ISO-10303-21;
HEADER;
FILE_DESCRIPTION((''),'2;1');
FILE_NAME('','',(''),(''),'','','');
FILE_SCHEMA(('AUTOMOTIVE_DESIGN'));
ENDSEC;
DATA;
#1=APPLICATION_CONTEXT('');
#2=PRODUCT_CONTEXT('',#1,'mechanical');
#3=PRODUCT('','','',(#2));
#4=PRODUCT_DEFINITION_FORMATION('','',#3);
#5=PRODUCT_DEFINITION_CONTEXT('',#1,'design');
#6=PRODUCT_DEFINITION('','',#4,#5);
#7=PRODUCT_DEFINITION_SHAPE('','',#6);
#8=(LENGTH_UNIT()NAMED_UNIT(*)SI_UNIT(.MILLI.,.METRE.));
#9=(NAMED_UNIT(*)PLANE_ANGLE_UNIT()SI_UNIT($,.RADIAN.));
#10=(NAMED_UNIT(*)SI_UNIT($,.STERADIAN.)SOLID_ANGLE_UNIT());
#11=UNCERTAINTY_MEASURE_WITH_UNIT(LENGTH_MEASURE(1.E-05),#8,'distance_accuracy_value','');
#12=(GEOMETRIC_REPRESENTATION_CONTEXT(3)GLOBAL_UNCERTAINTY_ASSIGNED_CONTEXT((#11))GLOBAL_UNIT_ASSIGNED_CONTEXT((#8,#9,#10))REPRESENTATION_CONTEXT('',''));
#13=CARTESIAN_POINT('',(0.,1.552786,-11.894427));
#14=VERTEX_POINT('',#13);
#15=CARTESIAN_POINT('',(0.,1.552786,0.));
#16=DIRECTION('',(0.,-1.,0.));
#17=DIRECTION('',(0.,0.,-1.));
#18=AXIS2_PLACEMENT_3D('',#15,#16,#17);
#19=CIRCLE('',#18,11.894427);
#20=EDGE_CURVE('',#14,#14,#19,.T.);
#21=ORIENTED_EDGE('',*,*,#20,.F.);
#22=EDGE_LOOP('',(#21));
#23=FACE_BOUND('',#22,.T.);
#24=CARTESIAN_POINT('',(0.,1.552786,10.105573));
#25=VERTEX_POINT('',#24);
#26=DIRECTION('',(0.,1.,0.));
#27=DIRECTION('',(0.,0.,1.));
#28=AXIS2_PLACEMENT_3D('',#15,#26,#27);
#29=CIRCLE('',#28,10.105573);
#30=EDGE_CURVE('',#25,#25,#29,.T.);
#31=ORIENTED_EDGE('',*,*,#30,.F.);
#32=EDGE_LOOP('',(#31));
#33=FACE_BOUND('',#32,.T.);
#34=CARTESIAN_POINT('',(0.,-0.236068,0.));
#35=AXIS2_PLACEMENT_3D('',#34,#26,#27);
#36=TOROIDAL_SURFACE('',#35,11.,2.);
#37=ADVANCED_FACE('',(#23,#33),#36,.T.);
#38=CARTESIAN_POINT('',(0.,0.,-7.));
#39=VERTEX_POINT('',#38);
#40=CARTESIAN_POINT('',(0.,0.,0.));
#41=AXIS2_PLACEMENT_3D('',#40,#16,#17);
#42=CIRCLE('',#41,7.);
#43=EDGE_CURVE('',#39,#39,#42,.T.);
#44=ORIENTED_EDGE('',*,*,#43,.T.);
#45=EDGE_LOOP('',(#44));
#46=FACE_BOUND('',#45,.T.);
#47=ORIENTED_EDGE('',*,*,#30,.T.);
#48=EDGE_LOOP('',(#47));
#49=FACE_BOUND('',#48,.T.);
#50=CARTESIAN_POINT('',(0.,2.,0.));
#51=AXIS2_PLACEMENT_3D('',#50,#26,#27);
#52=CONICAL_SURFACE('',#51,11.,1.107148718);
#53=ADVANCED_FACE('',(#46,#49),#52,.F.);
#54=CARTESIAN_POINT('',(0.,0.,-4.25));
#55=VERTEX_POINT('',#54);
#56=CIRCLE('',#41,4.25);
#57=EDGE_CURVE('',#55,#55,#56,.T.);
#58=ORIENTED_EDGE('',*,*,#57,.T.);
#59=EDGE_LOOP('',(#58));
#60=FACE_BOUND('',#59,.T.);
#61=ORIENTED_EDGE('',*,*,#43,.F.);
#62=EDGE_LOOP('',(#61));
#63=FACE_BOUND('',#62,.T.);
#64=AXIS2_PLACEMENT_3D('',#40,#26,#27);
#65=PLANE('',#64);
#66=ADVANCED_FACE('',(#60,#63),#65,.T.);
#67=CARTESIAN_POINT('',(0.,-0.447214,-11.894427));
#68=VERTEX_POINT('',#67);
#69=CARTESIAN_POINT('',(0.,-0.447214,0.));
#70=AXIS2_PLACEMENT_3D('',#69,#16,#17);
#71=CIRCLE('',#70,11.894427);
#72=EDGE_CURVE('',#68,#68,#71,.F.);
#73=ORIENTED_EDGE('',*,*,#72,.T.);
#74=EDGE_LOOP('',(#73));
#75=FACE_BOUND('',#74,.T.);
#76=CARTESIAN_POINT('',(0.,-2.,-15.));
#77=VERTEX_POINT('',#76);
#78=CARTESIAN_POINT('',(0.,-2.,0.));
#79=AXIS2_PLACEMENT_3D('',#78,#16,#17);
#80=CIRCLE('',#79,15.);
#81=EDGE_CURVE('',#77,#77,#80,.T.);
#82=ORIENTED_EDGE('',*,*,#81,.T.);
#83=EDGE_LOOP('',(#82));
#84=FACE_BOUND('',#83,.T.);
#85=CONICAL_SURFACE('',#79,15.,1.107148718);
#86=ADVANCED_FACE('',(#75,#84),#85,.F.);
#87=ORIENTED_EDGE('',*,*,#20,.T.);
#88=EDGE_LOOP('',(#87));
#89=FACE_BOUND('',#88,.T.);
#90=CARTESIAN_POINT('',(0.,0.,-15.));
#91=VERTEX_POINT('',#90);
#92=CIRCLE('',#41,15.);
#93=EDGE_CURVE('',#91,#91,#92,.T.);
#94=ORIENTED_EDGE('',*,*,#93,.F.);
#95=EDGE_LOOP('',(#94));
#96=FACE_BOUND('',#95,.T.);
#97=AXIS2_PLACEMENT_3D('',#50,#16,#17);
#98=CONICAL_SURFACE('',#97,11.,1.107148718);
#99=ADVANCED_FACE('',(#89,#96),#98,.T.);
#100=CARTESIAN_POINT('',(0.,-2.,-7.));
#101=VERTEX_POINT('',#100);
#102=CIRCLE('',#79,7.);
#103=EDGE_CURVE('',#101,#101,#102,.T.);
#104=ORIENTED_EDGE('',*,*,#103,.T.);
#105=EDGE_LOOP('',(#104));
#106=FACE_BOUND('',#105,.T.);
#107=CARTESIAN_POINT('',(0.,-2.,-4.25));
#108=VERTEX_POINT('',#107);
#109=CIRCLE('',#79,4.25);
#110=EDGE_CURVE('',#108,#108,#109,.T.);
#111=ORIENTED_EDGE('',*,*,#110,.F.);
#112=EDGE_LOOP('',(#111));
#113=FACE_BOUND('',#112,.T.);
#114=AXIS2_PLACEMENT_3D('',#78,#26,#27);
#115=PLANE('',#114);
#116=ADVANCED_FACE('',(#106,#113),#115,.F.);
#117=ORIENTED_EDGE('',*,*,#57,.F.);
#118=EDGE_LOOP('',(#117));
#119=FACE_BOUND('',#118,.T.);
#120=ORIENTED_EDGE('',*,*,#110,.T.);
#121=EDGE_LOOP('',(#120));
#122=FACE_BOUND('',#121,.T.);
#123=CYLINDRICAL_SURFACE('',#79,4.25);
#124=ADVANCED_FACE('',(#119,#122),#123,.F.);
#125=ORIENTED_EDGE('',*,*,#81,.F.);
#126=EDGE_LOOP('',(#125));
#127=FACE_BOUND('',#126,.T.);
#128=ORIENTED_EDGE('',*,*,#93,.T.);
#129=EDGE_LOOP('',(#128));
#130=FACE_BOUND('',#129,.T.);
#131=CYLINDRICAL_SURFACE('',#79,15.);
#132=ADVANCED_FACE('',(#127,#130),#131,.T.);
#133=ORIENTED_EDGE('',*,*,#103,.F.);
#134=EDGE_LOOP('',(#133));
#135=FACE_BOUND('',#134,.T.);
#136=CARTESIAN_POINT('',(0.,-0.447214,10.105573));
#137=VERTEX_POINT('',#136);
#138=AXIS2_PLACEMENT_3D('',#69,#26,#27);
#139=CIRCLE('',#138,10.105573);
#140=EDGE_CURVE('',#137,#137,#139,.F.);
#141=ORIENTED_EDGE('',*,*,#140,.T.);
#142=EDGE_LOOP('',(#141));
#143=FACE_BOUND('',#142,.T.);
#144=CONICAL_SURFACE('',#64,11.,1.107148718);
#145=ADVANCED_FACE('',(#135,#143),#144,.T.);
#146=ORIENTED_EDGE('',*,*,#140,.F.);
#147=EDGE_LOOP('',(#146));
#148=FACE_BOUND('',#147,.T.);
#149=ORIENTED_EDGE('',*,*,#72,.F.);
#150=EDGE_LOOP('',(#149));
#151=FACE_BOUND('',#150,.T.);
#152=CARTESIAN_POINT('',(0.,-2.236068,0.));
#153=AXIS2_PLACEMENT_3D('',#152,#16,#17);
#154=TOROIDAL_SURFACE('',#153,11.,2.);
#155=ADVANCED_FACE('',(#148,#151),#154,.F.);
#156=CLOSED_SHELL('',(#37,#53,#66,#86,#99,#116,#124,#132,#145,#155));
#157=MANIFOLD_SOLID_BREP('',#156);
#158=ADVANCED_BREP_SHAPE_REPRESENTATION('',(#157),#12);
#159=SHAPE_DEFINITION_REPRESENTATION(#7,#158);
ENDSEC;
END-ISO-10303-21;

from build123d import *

# Parameters (mm, degrees)
FILLET1_R = 2


with BuildPart() as part:
    # Sketch1 → Revolve1 (revolve)
    with BuildSketch(Plane(origin=(0, 0, 0), x_dir=(0, 0, -1), z_dir=(1, 0, 0)), mode=Mode.PRIVATE) as revolve1_sk:
        Polygon((-15, 0), (-15, -2), (-11, 0), (-7, -2), (-4.25, -2), (-4.25, 0), (-7, 0), (-11, 2), align=None)
    revolve(revolve1_sk.sketch.rotate(Axis((0, -2, 0), (0, 1, 0)), 180), axis=Axis((0, -2, 0), (0, 1, 0)))

    # Fillet1
    fillet1_edges = [part.edges().sort_by_distance(p)[0] for p in [
        (0, 2, 11),
        (0, 0, 11),
    ]]
    fillet(fillet1_edges, radius=FILLET1_R)


solid = part.part
